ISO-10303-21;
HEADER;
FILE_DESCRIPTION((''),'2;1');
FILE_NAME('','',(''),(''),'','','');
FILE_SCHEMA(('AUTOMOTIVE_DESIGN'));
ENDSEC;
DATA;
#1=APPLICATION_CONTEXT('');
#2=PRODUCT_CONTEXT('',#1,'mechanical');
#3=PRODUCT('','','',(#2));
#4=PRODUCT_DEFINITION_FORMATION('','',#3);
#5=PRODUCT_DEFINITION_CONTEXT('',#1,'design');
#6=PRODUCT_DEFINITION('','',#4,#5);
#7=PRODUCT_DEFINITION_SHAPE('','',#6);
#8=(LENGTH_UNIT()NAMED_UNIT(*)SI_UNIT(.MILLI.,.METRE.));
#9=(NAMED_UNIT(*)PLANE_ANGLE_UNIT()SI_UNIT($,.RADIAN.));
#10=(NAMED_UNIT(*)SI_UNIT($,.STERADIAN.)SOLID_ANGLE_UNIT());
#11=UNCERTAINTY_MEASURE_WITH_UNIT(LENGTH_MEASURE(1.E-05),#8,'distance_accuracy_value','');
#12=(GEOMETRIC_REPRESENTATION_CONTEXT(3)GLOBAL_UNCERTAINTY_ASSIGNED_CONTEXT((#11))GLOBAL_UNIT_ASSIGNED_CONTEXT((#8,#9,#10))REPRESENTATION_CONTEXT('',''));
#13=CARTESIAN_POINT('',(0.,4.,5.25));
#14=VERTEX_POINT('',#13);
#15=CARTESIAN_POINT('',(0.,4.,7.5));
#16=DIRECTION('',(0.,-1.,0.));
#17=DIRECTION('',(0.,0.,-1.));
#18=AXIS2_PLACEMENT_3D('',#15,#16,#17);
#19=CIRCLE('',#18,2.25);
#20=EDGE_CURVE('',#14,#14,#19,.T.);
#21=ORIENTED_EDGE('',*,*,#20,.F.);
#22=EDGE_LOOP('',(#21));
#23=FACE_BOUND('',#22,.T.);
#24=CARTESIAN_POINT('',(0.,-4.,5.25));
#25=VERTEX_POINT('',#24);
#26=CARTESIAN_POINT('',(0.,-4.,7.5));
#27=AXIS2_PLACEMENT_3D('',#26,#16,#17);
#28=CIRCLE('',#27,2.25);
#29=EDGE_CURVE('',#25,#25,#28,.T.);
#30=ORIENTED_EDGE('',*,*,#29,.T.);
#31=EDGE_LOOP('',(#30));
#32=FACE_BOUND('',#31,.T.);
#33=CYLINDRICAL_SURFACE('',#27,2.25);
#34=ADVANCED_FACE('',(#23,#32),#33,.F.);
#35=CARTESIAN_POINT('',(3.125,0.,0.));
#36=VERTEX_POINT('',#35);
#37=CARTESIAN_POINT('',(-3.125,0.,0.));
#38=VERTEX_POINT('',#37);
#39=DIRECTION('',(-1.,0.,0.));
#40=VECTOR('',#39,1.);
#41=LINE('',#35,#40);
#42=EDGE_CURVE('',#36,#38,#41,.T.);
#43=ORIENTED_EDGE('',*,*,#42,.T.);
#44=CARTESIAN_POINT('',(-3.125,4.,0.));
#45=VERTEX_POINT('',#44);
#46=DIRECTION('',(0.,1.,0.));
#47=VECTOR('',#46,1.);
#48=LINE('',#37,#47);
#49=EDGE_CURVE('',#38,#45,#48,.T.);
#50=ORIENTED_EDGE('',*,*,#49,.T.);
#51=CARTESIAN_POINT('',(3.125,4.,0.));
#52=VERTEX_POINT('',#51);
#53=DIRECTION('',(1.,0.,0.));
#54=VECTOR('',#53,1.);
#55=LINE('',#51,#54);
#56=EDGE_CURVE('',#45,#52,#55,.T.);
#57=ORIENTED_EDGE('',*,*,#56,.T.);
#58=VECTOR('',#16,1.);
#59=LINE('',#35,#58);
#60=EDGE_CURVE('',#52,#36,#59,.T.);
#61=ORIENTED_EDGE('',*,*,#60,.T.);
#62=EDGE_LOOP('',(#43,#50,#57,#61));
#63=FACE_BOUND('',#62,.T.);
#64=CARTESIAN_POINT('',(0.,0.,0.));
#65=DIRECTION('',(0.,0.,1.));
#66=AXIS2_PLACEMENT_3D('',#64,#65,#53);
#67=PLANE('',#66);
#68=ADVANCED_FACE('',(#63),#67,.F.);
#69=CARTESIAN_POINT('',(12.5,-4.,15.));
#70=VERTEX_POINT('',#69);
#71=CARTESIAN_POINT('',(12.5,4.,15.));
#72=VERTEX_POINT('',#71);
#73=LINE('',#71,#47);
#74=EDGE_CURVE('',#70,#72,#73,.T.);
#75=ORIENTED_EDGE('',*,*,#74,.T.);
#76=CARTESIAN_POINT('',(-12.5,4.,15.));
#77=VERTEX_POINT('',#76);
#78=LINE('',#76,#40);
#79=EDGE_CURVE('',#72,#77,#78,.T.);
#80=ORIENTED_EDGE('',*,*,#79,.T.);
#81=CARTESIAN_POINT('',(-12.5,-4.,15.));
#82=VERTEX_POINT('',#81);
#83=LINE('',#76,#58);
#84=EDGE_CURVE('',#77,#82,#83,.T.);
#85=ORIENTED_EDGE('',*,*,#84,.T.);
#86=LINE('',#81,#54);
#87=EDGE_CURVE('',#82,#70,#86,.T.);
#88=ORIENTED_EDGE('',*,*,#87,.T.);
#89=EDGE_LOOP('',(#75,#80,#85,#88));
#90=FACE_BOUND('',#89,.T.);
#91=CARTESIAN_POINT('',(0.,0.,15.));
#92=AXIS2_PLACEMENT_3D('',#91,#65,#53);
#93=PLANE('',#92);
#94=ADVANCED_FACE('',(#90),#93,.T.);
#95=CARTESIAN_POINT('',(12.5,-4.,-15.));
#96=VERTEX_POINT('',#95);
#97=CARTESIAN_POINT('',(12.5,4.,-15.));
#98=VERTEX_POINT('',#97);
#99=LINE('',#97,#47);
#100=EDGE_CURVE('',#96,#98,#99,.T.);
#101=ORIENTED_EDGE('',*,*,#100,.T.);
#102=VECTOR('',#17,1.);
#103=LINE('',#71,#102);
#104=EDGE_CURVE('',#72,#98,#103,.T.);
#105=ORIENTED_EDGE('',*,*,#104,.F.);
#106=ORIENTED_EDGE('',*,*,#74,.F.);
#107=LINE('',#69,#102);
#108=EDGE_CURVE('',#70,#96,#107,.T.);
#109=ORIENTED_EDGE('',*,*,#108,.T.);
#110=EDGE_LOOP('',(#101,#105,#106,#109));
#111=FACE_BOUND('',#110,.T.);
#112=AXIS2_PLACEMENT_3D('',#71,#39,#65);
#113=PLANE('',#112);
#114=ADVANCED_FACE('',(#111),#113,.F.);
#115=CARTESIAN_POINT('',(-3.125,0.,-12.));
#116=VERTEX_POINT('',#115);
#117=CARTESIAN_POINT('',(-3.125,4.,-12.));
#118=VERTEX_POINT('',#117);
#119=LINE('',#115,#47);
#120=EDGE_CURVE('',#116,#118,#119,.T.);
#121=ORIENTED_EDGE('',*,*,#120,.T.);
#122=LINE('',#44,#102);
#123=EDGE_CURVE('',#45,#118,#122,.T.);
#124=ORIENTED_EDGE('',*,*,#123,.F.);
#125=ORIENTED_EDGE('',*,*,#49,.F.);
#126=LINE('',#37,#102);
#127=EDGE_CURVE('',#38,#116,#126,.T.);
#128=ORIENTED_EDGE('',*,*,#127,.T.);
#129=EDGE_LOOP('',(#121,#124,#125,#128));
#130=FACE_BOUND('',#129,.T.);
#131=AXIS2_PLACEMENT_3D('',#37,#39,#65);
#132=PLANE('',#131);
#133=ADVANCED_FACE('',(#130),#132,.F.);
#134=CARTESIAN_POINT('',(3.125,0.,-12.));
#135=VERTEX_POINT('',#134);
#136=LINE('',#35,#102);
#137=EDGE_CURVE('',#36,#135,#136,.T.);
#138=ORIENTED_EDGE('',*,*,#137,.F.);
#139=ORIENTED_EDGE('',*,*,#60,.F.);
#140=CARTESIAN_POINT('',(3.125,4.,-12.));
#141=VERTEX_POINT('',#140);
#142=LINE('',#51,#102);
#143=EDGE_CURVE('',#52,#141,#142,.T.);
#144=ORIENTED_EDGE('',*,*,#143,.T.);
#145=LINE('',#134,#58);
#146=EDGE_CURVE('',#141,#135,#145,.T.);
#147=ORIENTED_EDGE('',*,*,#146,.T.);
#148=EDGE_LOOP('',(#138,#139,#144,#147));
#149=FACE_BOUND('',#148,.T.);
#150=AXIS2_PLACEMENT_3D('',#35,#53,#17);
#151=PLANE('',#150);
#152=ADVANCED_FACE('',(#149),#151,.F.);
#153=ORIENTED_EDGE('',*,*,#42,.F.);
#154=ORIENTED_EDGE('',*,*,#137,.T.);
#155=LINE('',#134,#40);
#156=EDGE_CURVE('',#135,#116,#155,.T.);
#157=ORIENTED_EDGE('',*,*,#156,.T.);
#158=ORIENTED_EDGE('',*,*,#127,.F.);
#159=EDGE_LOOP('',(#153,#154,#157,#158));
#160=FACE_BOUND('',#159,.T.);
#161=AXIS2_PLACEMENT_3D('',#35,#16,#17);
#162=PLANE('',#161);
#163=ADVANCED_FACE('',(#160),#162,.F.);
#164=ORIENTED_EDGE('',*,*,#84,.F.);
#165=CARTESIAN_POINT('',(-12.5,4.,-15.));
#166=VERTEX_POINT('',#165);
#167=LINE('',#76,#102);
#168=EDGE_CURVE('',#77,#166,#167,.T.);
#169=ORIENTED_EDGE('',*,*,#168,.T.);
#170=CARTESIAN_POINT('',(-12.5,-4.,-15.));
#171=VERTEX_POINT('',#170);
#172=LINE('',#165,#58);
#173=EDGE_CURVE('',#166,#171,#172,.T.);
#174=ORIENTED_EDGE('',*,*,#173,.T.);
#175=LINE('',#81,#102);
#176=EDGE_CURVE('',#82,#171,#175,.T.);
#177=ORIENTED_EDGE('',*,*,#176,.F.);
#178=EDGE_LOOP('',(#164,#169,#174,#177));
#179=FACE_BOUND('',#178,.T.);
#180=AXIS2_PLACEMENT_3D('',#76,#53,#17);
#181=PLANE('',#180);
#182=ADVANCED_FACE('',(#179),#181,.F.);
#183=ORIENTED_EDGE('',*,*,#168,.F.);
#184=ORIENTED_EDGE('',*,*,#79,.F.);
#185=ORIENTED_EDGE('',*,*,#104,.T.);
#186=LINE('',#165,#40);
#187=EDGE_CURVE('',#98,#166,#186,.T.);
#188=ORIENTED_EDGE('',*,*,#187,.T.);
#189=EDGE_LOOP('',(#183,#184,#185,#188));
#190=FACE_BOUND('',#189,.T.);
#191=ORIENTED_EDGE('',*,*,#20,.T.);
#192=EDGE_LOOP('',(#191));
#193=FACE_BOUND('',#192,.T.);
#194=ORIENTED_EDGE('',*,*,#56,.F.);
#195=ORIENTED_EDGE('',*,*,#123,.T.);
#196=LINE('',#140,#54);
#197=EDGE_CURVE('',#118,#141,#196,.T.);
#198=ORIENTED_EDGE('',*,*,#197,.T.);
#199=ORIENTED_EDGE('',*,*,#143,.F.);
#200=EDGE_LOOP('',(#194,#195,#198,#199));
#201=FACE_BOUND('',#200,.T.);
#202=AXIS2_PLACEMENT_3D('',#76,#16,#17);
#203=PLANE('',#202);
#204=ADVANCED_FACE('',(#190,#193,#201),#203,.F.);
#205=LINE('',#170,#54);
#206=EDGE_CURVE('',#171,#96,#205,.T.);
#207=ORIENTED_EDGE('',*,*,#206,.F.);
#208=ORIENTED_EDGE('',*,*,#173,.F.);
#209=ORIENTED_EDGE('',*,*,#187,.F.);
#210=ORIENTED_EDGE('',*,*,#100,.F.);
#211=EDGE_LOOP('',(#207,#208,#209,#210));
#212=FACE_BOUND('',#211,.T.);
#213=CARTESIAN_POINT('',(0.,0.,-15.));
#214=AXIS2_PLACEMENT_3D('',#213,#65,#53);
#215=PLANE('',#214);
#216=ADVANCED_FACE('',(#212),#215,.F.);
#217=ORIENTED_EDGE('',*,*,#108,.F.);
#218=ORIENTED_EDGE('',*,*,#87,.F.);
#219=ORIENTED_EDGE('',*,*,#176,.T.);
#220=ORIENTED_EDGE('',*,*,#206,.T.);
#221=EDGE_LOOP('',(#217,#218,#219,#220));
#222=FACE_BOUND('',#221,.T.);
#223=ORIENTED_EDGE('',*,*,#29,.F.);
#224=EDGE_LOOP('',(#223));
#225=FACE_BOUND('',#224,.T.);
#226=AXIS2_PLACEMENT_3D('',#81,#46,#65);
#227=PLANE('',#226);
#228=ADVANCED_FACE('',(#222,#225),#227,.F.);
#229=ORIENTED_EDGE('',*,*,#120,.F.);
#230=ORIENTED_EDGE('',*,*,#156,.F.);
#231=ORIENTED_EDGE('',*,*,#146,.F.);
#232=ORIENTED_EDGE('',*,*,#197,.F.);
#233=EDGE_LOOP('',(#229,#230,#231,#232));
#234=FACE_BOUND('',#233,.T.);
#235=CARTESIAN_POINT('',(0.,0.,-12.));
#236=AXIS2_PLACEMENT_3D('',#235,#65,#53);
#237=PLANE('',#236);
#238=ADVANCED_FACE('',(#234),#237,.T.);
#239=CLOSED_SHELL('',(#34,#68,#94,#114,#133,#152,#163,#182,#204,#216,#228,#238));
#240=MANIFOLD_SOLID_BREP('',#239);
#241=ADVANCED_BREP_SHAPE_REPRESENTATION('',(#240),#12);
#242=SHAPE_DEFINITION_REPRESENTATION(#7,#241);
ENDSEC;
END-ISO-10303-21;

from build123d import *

# Parameters (mm, degrees)
SKETCH1_W            = 25
SKETCH1_H            = 8
BOSS_EXTRUDE1_DEPTH  = 15
SKETCH3_W            = 6.25
SKETCH3_H            = 4
CUT_EXTRUDE1_DEPTH   = 12
M4_CLEARANCE_HOLE1_D = 4.5


with BuildPart() as part:
    # Sketch1 → Boss-Extrude1 (new, symmetric)
    with BuildSketch(Plane.XY):
        Rectangle(SKETCH1_W, SKETCH1_H)
    extrude(amount=BOSS_EXTRUDE1_DEPTH, both=True)

    # Sketch3 → Cut-Extrude1 (cut)
    with BuildSketch(Plane(origin=(0, 0, -12), x_dir=(-1, 0, 0), z_dir=(0, 0, -1))):
        with Locations((0, 2)):
            Rectangle(SKETCH3_W, SKETCH3_H)
    extrude(amount=-CUT_EXTRUDE1_DEPTH, mode=Mode.SUBTRACT)

    # M4 Clearance Hole1 (through all)
    with Locations(Plane(origin=(0, -4, 0), x_dir=(-1, 0, 0), z_dir=(0, -1, 0))):
        with Locations((0, -7.5)):
            Hole(M4_CLEARANCE_HOLE1_D / 2)


solid = part.part
